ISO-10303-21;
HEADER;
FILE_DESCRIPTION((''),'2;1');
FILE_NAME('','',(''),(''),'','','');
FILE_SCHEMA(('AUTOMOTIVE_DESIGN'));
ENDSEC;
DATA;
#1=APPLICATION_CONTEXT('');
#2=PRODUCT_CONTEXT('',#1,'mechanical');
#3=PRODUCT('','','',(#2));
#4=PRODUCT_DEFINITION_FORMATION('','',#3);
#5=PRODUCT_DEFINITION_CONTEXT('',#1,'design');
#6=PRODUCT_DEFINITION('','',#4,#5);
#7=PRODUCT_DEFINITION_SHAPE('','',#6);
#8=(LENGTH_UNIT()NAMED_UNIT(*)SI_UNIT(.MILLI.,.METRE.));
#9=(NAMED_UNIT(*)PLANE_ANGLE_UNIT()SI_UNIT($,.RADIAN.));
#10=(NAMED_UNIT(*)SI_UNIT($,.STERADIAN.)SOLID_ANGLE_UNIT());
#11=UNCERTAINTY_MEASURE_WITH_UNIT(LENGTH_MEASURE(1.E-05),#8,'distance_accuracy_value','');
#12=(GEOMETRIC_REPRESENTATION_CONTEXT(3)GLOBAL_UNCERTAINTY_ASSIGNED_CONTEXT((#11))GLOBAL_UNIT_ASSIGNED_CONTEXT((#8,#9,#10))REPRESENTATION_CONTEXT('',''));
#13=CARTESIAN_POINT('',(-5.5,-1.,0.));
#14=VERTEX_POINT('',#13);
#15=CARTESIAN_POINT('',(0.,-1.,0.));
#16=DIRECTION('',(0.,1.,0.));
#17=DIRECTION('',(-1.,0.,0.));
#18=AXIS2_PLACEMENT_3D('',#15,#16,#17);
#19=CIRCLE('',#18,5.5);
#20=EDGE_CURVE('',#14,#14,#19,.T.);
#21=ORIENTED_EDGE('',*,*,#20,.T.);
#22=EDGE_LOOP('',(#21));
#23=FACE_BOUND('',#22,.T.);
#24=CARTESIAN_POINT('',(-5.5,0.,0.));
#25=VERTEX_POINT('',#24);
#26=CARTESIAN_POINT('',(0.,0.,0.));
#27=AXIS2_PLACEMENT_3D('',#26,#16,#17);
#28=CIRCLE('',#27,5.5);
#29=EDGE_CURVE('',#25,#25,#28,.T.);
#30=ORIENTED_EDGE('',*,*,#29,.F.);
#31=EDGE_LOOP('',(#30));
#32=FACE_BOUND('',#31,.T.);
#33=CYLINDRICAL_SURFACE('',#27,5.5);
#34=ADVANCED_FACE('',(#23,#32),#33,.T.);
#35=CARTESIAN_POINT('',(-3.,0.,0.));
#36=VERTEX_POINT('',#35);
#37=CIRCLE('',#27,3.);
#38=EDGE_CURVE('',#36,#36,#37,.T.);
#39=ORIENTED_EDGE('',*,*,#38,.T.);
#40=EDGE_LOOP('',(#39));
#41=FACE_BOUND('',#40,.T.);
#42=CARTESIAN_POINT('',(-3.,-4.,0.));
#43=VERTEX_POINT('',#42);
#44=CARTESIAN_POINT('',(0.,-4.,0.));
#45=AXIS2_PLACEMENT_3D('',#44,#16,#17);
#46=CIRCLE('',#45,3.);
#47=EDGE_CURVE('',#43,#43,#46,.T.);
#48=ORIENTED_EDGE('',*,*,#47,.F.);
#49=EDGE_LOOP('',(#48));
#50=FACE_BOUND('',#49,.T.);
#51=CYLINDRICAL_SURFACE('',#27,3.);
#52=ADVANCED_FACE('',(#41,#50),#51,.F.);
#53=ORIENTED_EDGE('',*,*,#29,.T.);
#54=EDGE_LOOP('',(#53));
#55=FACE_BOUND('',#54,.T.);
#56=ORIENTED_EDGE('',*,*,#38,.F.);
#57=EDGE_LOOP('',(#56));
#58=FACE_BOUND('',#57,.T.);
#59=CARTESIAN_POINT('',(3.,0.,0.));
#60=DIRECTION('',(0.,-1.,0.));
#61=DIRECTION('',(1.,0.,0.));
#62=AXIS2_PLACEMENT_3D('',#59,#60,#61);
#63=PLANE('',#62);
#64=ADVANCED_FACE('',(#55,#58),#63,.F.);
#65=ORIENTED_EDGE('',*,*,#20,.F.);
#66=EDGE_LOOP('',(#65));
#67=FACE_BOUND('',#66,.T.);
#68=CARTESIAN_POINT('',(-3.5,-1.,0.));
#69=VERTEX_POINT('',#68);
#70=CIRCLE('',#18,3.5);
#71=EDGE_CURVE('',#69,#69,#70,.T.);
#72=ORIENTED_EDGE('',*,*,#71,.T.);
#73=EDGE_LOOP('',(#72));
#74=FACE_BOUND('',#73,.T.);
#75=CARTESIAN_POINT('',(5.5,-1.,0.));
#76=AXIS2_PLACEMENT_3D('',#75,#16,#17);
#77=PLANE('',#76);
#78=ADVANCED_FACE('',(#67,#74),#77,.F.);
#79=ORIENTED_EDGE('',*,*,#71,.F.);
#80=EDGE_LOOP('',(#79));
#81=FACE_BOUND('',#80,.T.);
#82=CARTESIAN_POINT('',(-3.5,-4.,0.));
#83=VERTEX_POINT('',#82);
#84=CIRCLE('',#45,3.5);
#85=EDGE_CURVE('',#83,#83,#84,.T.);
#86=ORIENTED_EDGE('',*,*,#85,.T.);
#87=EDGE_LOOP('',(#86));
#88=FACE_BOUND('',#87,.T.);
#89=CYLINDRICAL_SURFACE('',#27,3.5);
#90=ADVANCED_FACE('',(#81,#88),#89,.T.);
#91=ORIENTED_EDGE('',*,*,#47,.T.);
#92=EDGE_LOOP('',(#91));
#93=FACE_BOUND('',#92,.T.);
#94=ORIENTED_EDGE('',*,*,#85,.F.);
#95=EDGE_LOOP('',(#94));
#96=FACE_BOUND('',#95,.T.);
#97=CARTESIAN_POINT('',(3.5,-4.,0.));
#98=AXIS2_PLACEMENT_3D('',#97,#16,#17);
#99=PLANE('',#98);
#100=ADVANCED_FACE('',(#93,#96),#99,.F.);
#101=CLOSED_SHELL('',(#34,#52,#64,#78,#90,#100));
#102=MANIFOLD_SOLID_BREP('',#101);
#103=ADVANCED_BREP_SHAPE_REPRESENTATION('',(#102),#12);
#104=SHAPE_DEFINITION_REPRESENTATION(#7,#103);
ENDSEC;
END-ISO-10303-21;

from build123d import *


with BuildPart() as part:
    # Sketch1 → Revolve1 (revolve)
    with BuildSketch(Plane.XY, mode=Mode.PRIVATE) as revolve1_sk:
        Polygon((3, 0), (5.5, 0), (5.5, -1), (3.5, -1), (3.5, -4), (3, -4), align=None)
    revolve(revolve1_sk.sketch.rotate(Axis((0, 0, 0), (0, -1, 0)), 180), axis=Axis((0, 0, 0), (0, -1, 0)))


solid = part.part
